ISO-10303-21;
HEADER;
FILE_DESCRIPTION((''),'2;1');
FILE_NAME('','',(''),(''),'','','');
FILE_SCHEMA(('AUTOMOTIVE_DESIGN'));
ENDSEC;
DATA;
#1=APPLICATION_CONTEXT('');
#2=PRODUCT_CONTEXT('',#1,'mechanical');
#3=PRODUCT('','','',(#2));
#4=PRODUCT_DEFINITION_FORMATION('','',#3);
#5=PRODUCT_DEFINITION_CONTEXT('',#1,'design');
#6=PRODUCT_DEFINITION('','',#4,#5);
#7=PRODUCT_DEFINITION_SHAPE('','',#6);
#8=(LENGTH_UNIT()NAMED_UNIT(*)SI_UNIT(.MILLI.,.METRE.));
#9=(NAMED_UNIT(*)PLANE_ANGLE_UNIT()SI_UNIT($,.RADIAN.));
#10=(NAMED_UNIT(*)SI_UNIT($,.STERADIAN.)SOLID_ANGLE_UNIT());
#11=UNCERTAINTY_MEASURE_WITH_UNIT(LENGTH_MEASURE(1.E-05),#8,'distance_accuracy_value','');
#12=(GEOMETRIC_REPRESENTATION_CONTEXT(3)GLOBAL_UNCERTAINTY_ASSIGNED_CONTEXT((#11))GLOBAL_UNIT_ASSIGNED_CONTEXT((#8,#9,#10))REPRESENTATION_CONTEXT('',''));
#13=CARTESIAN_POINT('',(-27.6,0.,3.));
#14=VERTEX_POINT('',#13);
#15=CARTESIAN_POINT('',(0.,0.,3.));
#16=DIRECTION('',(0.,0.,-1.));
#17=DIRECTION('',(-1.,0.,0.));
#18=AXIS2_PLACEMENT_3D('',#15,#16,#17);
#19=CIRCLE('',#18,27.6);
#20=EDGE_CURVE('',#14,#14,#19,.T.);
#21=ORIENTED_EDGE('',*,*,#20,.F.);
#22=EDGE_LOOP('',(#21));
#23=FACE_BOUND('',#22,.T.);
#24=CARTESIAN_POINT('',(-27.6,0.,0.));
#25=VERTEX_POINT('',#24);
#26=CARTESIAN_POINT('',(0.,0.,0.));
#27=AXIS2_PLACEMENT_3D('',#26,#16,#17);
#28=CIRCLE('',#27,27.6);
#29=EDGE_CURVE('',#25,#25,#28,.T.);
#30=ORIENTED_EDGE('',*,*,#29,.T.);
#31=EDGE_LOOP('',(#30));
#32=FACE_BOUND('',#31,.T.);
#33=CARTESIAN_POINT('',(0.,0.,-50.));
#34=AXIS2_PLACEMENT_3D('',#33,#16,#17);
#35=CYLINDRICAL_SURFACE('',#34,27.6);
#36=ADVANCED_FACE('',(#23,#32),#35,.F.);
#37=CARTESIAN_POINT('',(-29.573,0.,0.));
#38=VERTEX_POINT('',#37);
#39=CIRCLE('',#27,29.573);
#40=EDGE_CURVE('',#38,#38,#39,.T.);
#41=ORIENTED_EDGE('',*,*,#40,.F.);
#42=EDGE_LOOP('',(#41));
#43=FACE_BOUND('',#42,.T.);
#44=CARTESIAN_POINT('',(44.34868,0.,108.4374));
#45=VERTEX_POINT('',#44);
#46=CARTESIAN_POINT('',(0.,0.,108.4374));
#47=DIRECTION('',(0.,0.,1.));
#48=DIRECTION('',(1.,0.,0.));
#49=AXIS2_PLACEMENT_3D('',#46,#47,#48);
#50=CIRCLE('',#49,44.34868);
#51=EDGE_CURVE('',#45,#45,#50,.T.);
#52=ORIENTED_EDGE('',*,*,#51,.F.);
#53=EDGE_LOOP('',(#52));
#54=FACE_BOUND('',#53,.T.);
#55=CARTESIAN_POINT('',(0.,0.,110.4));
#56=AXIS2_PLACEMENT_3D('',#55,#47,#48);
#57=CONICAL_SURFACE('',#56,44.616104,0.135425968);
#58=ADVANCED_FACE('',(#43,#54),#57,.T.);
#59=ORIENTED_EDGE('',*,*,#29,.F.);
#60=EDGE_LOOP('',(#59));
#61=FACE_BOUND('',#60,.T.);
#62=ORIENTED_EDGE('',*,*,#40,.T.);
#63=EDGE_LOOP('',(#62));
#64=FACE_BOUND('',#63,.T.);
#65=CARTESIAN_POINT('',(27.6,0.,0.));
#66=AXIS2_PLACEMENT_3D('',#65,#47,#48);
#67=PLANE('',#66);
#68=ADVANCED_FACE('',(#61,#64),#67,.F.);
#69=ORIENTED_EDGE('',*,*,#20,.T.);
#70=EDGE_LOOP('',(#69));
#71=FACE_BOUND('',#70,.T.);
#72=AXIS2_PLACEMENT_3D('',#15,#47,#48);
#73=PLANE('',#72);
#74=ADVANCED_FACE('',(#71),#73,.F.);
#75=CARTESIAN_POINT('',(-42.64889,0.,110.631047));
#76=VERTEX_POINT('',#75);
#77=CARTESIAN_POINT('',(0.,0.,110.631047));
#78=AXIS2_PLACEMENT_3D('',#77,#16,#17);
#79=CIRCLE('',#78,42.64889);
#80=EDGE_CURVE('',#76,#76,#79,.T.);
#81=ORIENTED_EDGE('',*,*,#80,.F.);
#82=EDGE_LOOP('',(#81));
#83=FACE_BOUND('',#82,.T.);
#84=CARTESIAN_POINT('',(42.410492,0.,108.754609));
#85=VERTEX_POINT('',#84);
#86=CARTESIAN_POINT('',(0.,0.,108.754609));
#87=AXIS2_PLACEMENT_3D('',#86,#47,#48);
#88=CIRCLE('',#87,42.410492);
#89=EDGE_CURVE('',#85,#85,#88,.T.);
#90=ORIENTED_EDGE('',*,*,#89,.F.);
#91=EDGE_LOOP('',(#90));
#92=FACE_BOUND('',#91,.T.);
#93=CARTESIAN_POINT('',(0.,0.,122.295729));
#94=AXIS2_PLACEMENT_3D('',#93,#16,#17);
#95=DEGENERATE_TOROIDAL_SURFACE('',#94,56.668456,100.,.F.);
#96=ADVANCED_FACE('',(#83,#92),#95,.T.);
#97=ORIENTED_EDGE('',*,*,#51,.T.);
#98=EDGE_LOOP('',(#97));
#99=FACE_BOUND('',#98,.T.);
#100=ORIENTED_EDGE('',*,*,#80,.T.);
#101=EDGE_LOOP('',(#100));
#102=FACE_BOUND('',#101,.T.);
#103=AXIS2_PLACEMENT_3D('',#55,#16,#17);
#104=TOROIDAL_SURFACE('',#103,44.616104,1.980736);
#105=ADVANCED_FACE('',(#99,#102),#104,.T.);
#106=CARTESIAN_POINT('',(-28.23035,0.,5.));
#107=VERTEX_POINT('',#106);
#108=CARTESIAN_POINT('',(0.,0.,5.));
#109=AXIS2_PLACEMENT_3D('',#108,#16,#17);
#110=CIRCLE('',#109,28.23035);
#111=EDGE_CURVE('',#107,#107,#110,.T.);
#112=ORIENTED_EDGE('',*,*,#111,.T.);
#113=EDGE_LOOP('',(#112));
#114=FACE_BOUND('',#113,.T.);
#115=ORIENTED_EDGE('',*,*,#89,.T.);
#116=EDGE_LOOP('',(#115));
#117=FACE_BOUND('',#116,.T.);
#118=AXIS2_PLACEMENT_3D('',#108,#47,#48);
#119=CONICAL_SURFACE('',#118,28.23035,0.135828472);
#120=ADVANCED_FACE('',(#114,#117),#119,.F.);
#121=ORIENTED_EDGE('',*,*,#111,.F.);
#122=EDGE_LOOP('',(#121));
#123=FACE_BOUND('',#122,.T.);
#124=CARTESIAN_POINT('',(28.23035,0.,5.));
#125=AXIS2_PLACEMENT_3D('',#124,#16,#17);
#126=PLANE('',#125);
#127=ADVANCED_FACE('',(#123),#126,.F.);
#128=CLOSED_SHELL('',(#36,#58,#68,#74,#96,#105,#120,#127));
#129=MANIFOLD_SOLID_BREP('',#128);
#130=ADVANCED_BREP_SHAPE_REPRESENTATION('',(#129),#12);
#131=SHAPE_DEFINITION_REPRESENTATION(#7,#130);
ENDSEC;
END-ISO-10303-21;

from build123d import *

# Parameters (mm, degrees)
SKETCH2_R = 1.980736
FILLET2_R = 100


with BuildPart() as part:
    # Sketch1 → Cup (revolve)
    with BuildSketch(Plane(origin=(0, 0, 0), x_dir=(-1, 0, 0), z_dir=(0, 1, 0)), mode=Mode.PRIVATE) as cup_sk:
        Polygon((0, 3), (-27.6, 3), (-27.6, 0), (-29.573, 0), (-44.616104, 110.4), (-42.635368, 110.4), (-28.23035, 5), (0, 5), align=None)
    revolve(cup_sk.sketch.rotate(Axis((0, 0, -50), (0, 0, 1)), 180), axis=Axis((0, 0, -50), (0, 0, 1)))

    # Sketch2 → BeadRound (revolve)
    with BuildSketch(Plane(origin=(0, 0, 0), x_dir=(-1, 0, 0), z_dir=(0, 1, 0))):
        with Locations((-44.616104, 110.4)):
            Circle(SKETCH2_R)
    revolve(axis=Axis((0, 0, -50), (0, 0, 1)))

    # Fillet2
    fillet2_edges = [part.edges().sort_by_distance(p)[0] for p in [
        (0, -42.635368, 110.4),
    ]]
    fillet(fillet2_edges, radius=FILLET2_R)


solid = part.part
